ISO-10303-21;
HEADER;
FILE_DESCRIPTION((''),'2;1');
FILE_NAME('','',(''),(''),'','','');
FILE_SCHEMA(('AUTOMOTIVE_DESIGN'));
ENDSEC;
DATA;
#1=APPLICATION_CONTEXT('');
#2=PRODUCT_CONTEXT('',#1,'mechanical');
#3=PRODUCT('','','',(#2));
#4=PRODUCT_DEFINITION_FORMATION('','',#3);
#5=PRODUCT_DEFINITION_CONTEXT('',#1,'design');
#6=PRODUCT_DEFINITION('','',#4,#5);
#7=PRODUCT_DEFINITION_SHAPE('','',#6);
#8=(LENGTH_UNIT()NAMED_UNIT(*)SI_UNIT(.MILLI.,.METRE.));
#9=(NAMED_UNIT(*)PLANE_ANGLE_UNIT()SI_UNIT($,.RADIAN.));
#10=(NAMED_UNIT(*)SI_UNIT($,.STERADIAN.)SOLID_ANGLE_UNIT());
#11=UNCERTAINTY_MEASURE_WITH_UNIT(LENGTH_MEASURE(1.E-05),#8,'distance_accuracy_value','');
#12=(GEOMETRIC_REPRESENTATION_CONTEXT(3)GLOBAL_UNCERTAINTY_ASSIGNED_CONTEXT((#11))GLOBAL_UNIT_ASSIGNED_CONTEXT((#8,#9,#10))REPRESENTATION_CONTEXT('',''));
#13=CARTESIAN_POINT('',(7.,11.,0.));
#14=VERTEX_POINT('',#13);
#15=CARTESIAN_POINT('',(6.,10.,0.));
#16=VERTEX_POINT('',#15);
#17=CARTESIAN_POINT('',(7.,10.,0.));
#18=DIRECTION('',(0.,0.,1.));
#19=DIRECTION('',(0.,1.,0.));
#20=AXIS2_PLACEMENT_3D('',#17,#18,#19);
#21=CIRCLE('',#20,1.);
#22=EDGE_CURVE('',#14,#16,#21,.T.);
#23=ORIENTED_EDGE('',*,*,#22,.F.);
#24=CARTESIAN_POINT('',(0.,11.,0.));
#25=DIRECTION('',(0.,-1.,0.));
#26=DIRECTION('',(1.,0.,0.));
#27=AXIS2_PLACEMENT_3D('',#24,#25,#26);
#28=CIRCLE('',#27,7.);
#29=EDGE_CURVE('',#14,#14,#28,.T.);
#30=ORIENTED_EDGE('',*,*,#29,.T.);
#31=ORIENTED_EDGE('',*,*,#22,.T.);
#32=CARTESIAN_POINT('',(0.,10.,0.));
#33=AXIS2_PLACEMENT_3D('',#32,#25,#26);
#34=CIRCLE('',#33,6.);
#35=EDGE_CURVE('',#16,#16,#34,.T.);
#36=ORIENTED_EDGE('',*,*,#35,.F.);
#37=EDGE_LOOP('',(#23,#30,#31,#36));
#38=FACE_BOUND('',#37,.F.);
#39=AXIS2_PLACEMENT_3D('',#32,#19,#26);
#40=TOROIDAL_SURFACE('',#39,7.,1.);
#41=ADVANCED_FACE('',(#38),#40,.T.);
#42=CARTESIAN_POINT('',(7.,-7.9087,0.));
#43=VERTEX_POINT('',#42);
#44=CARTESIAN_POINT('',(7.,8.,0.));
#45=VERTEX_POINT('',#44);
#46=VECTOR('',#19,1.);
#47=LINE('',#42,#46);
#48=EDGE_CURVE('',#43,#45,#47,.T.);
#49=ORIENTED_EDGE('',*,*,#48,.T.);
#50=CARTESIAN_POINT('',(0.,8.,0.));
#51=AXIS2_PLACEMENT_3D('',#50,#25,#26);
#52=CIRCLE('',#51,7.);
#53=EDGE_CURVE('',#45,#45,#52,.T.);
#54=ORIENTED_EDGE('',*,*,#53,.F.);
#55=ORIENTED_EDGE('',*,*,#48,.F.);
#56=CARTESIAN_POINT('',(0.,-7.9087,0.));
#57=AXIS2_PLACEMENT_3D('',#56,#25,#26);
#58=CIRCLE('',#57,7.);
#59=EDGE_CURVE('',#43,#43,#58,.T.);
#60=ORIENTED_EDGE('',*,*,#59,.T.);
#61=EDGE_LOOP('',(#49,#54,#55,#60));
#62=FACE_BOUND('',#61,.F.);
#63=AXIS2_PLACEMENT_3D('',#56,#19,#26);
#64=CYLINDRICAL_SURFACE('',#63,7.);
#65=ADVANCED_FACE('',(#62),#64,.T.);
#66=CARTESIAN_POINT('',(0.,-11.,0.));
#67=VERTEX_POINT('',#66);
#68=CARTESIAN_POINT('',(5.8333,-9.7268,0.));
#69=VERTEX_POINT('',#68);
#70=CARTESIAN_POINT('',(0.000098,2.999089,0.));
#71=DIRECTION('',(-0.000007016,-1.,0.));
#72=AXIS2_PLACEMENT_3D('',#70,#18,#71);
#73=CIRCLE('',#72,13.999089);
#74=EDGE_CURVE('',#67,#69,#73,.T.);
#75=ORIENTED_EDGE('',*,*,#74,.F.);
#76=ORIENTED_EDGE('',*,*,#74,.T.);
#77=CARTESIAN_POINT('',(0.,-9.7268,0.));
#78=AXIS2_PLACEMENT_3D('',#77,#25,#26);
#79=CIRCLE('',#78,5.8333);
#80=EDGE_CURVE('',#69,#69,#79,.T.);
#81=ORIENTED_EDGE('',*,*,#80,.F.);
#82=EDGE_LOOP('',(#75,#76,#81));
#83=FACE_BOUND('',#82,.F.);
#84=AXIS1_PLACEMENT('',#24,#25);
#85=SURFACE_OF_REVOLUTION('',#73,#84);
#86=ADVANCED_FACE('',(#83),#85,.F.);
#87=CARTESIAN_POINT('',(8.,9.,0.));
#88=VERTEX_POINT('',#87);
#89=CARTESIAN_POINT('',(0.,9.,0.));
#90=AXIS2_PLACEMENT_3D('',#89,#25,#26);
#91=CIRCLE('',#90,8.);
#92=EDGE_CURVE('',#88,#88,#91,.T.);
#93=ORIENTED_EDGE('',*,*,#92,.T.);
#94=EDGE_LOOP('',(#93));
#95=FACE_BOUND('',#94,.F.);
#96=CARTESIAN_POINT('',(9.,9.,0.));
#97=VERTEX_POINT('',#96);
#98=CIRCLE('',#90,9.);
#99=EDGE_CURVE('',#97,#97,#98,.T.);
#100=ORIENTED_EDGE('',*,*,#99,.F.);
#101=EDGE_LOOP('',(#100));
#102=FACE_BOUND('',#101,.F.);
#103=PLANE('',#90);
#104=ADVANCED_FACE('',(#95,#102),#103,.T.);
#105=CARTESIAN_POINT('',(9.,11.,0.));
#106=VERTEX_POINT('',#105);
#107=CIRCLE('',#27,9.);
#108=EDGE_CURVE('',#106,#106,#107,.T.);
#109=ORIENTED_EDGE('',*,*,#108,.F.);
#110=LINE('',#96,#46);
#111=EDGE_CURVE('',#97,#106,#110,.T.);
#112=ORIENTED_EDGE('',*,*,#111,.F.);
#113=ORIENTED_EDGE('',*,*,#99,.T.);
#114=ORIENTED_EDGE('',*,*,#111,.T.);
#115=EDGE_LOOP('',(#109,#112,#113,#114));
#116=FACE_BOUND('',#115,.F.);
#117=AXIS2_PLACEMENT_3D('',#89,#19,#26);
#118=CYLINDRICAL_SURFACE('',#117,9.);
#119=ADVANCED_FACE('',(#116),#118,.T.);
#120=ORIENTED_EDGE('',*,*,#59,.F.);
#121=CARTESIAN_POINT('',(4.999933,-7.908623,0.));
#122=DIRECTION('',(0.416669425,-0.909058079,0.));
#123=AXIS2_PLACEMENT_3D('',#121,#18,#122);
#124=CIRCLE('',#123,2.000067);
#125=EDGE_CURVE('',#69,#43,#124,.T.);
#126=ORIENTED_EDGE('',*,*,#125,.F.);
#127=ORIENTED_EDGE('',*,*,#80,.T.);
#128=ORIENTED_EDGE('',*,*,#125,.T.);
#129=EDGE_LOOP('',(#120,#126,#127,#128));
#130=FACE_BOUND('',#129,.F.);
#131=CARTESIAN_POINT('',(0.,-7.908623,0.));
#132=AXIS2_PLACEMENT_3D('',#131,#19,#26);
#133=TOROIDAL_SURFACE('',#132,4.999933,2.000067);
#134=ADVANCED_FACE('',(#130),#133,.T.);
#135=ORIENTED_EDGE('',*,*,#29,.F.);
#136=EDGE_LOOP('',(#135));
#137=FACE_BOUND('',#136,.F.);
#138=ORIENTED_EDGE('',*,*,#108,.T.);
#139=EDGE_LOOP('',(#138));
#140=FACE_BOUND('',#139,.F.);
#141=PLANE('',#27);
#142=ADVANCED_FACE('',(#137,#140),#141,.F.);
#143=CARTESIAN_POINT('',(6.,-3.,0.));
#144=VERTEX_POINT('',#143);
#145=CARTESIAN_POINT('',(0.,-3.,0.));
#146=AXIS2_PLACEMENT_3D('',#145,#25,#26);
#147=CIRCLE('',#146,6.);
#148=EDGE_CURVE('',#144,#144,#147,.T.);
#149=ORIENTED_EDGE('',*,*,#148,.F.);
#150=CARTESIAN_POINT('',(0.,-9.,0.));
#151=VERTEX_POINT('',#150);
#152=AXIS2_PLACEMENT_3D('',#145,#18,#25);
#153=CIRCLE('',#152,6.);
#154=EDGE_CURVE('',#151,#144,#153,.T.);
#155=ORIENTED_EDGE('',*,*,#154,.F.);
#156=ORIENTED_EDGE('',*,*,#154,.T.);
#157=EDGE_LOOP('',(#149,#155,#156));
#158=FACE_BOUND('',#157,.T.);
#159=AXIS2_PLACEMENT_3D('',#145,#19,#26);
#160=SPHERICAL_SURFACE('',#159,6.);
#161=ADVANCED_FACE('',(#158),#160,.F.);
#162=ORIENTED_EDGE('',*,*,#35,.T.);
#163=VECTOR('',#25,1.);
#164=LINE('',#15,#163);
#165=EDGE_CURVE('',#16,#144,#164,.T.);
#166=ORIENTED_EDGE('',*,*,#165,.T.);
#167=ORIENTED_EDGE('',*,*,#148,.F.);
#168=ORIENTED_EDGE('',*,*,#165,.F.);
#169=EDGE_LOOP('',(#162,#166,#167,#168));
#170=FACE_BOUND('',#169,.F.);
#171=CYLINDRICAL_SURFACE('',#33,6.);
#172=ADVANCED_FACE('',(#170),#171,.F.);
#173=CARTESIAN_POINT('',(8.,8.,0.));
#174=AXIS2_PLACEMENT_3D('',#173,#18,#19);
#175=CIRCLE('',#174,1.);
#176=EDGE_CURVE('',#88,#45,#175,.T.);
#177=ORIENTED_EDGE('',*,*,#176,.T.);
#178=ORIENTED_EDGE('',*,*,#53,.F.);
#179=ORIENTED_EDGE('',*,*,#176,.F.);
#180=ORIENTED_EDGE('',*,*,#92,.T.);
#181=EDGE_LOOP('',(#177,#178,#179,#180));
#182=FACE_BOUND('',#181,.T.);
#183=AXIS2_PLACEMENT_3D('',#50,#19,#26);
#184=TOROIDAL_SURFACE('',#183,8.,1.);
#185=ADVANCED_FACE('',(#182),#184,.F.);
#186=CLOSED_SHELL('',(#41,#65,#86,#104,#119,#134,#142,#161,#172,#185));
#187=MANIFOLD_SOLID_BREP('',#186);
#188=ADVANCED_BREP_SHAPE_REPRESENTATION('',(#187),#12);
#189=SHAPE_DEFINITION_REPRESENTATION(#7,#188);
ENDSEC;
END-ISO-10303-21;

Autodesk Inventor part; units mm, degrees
ref_plane "YZ Plane" through (0, 0, 0) normal (1, 0, 0) x (0, 1, 0)
ref_plane "XZ Plane" through (0, 0, 0) normal (0, 1, 0) x (-1, 0, 0)
ref_plane "XY Plane" through (0, 0, 0) normal (0, 0, 1) x (1, 0, 0)
sketch "Эскиз1" plane through (0, 0, 0) normal (0, 0, 1) x (1, 0, 0)
  line L0 (0, 11) -> (0, -11)
  arc A0 (0, -11) -> (5.8333, -9.7268) centre (0, 3) ccw
  arc A1 (5.8333, -9.7268) -> (7, -7.9087) centre (5, -7.9087) ccw
  line L1 (7, -7.9087) -> (7, 8)
  line L2 (8, 9) -> (9, 9)
  line L3 (9, 9) -> (9, 11)
  line L4 (9, 11) -> (7, 11)
  arc A2 (8, 9) -> (7, 8) centre (8, 8) ccw
  line L5 (6, 10) -> (6, -3)
  arc A3 (0, -9) -> (6, -3) centre (0, -3) ccw
  arc A4 (7, 11) -> (6, 10) centre (7, 10) ccw
  arc A5 (6, -3) -> (6, -3) centre (8, -3) ccw
  line L6 (0, -9) -> (0, -11)
  point P0 (0, 0)
  point P1 (0, 0)
  point P2 (6, -3)
  dimension "d0" = 22
  dimension "d1" = 14
  dimension "d2" = 2
  dimension "d4" = 14
  dimension "d5" = 1
  dimension "d6" = 18
  dimension "d7" = 1
  dimension "d8" = 2
  dimension "d9" = 2
  dimension "d10" = 2
  dimension "d11" = 1
revolve "Вращение1" add sketch "Эскиз1" angle 360 about axis through (0, 11, 0) along (0, -1, 0) picked at (6.6667, -3) contours A3 A5 L1 A1 A0 L0 | L5 A4 L4 L3 L2 A2 L1 A5 | A5 L1
properties part number "79. Предохранитель заднего хода"
